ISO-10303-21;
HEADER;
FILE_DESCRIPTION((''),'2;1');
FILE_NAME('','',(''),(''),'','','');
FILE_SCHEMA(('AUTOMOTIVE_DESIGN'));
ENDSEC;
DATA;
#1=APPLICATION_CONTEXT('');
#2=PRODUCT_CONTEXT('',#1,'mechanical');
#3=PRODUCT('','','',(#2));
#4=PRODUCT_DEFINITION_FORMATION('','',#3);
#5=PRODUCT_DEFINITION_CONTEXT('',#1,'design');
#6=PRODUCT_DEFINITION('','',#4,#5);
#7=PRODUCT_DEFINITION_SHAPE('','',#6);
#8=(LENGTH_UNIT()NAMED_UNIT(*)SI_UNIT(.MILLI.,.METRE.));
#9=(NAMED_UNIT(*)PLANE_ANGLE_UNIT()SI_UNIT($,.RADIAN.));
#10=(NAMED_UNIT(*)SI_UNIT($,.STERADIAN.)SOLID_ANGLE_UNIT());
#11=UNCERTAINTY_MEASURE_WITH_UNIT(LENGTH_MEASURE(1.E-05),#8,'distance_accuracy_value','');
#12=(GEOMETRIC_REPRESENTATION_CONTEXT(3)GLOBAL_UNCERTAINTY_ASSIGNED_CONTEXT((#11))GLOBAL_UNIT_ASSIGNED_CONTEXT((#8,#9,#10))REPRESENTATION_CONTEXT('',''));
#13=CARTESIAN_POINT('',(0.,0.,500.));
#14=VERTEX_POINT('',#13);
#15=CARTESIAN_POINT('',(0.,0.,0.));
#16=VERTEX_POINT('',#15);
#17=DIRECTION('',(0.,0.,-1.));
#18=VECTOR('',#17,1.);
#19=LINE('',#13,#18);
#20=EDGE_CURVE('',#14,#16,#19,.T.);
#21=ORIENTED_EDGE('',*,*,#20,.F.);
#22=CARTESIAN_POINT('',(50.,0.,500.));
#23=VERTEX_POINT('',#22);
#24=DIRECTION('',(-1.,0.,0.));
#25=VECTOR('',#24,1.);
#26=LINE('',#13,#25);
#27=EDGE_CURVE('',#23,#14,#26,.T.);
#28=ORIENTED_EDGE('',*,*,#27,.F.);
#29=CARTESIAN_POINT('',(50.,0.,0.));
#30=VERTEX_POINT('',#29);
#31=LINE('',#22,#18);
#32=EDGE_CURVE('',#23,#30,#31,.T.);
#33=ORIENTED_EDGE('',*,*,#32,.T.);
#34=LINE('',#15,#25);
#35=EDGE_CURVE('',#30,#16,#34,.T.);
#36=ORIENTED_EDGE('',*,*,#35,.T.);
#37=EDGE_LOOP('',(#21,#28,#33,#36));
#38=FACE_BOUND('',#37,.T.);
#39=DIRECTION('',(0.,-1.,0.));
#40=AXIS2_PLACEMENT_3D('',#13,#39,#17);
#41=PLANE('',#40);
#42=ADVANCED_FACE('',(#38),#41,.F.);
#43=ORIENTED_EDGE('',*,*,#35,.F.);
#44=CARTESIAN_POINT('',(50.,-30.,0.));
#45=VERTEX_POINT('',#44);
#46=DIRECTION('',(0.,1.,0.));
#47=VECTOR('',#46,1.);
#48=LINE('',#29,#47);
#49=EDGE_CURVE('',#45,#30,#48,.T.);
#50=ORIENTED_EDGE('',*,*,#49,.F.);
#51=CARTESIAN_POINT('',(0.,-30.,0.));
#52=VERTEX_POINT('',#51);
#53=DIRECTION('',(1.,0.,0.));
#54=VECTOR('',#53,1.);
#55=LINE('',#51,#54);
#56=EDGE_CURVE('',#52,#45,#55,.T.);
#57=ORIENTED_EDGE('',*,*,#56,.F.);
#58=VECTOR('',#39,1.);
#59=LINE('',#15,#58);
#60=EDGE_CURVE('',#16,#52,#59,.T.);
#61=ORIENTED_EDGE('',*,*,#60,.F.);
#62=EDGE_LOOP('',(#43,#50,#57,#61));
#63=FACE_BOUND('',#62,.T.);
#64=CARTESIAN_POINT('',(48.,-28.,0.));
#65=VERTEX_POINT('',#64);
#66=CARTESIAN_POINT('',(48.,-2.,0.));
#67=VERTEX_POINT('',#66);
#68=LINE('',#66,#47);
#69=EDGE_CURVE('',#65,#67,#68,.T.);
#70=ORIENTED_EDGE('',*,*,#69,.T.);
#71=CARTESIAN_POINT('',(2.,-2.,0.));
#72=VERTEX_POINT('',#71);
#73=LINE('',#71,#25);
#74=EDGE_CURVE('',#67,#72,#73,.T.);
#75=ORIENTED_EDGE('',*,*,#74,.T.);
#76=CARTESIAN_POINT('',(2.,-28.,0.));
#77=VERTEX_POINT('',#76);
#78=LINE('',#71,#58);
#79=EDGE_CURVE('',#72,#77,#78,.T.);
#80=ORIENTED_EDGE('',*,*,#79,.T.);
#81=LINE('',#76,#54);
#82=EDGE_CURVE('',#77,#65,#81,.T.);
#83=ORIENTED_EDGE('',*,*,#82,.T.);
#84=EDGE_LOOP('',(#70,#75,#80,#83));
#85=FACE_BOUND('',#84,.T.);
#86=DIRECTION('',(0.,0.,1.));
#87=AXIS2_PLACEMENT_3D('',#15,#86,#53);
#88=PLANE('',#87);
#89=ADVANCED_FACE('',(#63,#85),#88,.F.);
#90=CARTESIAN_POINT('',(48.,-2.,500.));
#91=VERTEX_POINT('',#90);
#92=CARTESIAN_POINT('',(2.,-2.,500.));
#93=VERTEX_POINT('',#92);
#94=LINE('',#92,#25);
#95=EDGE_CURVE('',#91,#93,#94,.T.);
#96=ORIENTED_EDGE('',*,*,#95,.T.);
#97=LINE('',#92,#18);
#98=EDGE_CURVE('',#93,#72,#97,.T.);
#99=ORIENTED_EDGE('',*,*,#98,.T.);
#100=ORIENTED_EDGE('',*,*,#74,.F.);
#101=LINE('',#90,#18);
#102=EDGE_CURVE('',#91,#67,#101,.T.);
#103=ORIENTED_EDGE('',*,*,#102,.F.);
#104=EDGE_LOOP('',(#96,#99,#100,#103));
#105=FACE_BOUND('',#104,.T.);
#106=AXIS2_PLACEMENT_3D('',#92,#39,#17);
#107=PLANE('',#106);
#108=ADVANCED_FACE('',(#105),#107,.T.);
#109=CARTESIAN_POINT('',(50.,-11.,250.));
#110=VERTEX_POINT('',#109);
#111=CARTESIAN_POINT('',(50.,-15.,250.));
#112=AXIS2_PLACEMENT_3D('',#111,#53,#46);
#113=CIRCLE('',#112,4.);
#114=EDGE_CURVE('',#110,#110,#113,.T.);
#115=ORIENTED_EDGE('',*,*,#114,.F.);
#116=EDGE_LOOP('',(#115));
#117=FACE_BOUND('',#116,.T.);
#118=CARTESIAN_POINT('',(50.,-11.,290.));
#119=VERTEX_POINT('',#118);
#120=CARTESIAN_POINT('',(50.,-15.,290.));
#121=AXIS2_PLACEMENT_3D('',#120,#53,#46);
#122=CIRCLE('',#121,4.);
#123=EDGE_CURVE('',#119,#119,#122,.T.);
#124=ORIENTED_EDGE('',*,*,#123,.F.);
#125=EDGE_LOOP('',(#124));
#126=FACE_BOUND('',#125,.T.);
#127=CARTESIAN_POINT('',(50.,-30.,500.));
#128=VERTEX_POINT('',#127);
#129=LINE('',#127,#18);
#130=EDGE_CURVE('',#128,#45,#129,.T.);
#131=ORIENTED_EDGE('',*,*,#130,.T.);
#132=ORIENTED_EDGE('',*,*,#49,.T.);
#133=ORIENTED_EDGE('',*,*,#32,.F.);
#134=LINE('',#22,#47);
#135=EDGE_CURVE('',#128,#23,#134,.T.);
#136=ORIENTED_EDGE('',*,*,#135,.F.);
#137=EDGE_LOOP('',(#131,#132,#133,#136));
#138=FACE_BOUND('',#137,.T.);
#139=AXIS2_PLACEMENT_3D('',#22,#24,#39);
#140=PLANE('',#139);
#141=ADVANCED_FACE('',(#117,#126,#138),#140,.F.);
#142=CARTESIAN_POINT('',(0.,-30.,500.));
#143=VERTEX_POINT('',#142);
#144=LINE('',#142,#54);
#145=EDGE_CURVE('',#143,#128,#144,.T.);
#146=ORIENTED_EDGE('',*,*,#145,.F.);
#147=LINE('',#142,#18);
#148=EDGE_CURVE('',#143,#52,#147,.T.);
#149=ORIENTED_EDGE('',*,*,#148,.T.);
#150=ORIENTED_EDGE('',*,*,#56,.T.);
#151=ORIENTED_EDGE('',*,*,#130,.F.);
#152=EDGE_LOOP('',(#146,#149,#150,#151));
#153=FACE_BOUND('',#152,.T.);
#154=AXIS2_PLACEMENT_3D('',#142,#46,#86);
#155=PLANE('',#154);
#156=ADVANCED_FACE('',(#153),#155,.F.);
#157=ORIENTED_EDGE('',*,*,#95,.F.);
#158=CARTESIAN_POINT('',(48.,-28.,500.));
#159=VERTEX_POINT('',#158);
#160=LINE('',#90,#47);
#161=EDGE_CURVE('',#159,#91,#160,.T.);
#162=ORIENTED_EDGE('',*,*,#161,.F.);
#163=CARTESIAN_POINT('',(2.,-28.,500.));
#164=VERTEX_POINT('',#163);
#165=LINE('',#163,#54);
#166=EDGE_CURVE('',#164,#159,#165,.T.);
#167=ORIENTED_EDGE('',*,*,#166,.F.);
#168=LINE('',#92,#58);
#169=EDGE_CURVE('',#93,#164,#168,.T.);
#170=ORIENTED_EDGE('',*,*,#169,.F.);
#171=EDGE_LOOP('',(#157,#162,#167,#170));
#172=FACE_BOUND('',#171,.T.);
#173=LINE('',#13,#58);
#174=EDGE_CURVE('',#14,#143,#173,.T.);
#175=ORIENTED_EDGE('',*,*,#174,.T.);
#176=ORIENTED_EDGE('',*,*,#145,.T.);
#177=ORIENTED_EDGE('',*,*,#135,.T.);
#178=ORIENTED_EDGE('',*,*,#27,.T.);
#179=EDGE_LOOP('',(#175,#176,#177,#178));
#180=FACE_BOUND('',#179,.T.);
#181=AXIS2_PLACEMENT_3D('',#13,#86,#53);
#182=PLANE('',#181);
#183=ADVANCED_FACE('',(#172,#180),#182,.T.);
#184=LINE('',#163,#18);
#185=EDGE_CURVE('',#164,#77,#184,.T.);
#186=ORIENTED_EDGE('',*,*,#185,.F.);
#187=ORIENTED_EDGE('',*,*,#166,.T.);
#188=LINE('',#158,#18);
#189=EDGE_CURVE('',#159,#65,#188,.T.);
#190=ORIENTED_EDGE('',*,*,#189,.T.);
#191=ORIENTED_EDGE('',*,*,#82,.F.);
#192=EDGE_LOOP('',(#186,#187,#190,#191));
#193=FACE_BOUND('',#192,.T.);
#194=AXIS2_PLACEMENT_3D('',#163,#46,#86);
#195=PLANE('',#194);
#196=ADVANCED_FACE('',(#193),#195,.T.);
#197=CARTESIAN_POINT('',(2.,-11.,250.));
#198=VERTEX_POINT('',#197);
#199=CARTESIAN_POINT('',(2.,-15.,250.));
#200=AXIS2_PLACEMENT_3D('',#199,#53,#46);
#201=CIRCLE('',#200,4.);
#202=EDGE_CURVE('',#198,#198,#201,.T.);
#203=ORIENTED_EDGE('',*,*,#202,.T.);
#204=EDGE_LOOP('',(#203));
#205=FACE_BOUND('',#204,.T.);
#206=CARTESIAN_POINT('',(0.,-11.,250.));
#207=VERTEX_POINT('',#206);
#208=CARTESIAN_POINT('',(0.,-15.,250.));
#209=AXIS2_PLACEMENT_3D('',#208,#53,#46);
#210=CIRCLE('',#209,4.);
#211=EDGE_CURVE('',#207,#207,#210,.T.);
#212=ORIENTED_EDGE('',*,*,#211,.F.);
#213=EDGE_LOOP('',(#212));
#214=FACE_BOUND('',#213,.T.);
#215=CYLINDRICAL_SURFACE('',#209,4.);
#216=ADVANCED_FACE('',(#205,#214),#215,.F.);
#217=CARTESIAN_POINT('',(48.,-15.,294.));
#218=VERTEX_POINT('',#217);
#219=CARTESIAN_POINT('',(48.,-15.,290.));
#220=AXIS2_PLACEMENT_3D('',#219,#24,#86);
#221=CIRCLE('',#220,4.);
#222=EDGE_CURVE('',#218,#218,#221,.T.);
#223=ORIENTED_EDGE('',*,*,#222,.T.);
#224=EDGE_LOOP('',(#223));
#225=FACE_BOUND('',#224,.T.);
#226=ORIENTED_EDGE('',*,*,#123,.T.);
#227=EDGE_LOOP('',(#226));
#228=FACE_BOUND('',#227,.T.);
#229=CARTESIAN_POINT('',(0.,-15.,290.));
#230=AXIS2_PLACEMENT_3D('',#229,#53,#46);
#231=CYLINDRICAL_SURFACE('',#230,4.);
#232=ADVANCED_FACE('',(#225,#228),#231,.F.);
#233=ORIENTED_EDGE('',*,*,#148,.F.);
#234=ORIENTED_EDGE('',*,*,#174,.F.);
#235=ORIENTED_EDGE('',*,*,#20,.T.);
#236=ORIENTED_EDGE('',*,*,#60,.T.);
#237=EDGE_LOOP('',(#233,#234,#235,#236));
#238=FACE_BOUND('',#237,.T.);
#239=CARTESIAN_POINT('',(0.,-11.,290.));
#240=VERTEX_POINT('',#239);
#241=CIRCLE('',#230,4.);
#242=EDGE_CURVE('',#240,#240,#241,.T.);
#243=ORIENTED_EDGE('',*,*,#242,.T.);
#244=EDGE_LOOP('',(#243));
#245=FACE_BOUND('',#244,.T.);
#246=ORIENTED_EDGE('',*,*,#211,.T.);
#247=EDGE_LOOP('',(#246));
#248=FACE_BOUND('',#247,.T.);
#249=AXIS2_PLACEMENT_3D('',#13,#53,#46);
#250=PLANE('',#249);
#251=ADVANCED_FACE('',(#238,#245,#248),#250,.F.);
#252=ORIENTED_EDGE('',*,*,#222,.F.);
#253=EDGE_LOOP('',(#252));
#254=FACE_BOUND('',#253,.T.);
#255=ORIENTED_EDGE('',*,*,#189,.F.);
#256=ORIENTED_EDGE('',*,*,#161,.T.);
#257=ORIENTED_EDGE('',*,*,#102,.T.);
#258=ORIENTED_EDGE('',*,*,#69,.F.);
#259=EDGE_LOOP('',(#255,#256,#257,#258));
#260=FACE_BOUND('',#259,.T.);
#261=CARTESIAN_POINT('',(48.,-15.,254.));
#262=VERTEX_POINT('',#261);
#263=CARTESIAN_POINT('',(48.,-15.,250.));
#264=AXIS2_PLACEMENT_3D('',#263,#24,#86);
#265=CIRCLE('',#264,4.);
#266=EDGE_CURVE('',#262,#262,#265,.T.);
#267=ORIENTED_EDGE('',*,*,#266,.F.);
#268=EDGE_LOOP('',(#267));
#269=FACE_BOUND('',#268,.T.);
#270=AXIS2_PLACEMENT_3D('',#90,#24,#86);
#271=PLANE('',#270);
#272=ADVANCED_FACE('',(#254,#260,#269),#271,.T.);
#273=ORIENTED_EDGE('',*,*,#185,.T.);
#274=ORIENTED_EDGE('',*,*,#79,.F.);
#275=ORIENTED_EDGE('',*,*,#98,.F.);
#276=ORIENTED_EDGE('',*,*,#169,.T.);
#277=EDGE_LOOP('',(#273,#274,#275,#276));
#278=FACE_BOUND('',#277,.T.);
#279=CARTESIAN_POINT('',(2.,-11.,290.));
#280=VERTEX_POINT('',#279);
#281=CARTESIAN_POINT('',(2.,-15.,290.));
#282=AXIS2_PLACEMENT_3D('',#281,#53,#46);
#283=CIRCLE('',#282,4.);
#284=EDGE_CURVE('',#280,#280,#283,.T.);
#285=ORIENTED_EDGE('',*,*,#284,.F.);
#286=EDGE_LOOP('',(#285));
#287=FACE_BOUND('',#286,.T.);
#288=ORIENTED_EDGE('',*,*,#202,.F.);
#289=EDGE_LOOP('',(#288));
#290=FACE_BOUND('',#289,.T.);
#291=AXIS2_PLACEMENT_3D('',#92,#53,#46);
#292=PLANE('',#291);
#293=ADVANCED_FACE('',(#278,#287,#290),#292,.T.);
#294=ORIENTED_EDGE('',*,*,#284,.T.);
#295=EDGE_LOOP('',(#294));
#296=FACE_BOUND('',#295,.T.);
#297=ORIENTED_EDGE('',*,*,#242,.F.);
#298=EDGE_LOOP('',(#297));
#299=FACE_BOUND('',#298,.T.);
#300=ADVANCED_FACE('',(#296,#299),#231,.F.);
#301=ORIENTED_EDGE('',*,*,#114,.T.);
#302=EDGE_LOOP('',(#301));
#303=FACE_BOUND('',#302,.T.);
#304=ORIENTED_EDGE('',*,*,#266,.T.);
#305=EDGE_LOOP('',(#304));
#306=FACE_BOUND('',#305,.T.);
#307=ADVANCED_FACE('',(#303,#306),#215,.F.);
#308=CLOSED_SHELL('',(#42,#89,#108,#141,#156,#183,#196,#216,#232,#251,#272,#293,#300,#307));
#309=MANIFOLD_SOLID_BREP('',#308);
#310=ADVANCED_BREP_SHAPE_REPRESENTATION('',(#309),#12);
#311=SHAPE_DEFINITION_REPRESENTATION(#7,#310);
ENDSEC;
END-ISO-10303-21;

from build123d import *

# Parameters (mm, degrees)
SKETCH1_W           = 50
SKETCH1_H           = 30
SKETCH1_W_2         = 46
SKETCH1_H_2         = 26
BOSS_EXTRUDE1_DEPTH = 500
SKETCH2_R           = 4
CUT_EXTRUDE1_DEPTH  = 504.388517946


with BuildPart() as part:
    # Sketch1 → Boss-Extrude1 (new body)
    with BuildSketch(Plane.XY):
        with Locations((25, -15)):
            Rectangle(SKETCH1_W, SKETCH1_H)
        with Locations((25, -15)):
            Rectangle(SKETCH1_W_2, SKETCH1_H_2, mode=Mode.SUBTRACT)
    extrude(amount=BOSS_EXTRUDE1_DEPTH)

    # Sketch2 → Cut-Extrude1 (cut, through all)
    with BuildSketch(Plane(origin=(50, 0, 0), x_dir=(0, 0, -1), z_dir=(1, 0, 0))):
        with Locations(Location((-250, -15, 0), (0, 0, 90))):
            Circle(SKETCH2_R)
        with Locations(Location((-290, -15, 0), (0, 0, 90))):
            Circle(SKETCH2_R)
    extrude(amount=-CUT_EXTRUDE1_DEPTH, mode=Mode.SUBTRACT)


solid = part.part
